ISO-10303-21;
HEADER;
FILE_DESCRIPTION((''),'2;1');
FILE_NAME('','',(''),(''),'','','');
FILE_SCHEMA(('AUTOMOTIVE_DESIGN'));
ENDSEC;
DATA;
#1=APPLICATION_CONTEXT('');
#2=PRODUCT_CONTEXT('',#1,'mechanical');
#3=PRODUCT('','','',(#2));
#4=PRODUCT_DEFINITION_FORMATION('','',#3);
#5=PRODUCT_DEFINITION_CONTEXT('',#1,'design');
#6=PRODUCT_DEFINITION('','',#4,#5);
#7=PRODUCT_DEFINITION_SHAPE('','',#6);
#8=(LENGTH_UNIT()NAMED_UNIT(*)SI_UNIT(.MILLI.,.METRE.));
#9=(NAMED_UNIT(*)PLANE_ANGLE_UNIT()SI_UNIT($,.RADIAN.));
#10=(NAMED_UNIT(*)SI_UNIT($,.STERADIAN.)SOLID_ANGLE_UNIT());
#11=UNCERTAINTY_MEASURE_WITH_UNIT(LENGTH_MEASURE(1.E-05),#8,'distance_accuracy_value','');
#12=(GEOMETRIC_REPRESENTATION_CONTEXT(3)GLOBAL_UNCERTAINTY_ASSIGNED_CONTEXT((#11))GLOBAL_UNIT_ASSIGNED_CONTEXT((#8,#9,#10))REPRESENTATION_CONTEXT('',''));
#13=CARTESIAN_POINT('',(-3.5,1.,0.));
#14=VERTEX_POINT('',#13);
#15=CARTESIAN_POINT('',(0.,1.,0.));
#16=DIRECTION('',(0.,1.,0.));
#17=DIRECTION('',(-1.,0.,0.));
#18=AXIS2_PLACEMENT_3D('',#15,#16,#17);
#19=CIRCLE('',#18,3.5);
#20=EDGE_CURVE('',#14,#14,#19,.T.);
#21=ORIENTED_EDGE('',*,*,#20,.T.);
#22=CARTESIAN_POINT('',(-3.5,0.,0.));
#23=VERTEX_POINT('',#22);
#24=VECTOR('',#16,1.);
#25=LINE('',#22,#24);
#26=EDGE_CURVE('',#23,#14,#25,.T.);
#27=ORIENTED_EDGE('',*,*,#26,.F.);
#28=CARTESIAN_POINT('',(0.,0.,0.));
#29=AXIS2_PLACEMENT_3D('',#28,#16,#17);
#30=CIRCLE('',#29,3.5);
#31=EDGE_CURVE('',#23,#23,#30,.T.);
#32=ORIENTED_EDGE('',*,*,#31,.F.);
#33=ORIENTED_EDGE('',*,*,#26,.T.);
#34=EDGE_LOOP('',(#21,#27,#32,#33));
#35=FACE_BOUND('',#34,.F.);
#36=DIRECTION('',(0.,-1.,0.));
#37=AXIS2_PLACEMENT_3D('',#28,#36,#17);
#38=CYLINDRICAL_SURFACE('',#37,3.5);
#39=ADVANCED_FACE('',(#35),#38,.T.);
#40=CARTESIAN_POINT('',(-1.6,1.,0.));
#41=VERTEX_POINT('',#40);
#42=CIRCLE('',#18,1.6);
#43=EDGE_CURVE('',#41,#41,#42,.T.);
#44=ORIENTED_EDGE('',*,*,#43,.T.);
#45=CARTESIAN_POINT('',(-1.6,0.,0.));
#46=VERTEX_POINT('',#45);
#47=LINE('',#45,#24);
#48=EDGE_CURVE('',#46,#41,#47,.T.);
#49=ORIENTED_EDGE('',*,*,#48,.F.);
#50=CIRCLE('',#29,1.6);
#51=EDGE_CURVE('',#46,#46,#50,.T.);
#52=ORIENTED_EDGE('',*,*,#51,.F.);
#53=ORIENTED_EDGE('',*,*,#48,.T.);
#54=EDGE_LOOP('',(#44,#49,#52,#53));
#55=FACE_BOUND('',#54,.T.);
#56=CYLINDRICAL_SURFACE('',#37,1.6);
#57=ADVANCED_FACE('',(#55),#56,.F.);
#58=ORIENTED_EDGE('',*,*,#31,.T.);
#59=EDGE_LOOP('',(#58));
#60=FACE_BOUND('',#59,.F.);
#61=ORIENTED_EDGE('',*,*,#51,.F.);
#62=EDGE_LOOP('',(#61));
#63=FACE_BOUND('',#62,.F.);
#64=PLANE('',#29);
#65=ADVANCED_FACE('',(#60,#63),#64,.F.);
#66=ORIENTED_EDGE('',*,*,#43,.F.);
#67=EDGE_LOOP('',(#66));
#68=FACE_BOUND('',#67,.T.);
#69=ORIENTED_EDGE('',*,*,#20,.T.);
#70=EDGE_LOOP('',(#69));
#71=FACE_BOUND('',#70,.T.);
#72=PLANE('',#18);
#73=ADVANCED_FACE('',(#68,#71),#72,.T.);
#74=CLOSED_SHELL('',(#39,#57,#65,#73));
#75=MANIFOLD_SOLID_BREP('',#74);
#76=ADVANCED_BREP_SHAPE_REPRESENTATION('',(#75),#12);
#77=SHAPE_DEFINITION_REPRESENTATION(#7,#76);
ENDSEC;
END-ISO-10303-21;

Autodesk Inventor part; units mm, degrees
ref_plane "YZ Plane" through (0, 0, 0) normal (1, 0, 0) x (0, 1, 0)
ref_plane "XZ Plane" through (0, 0, 0) normal (0, 1, 0) x (-1, 0, 0)
ref_plane "XY Plane" through (0, 0, 0) normal (0, 0, 1) x (1, 0, 0)
sketch "Sketch1" plane through (0, 0, 0) normal (0, 1, 0) x (-1, 0, 0)
  circle A0 centre (0, 0) radius 1.6
  circle A1 centre (0, 0) radius 3.5
  dimension "d0" = 3.2
  dimension "d1" = 7
extrude "Extrusion1" add sketch "Sketch1" along normal blind 1
properties part number "InnerBearingButtonheadShims"
